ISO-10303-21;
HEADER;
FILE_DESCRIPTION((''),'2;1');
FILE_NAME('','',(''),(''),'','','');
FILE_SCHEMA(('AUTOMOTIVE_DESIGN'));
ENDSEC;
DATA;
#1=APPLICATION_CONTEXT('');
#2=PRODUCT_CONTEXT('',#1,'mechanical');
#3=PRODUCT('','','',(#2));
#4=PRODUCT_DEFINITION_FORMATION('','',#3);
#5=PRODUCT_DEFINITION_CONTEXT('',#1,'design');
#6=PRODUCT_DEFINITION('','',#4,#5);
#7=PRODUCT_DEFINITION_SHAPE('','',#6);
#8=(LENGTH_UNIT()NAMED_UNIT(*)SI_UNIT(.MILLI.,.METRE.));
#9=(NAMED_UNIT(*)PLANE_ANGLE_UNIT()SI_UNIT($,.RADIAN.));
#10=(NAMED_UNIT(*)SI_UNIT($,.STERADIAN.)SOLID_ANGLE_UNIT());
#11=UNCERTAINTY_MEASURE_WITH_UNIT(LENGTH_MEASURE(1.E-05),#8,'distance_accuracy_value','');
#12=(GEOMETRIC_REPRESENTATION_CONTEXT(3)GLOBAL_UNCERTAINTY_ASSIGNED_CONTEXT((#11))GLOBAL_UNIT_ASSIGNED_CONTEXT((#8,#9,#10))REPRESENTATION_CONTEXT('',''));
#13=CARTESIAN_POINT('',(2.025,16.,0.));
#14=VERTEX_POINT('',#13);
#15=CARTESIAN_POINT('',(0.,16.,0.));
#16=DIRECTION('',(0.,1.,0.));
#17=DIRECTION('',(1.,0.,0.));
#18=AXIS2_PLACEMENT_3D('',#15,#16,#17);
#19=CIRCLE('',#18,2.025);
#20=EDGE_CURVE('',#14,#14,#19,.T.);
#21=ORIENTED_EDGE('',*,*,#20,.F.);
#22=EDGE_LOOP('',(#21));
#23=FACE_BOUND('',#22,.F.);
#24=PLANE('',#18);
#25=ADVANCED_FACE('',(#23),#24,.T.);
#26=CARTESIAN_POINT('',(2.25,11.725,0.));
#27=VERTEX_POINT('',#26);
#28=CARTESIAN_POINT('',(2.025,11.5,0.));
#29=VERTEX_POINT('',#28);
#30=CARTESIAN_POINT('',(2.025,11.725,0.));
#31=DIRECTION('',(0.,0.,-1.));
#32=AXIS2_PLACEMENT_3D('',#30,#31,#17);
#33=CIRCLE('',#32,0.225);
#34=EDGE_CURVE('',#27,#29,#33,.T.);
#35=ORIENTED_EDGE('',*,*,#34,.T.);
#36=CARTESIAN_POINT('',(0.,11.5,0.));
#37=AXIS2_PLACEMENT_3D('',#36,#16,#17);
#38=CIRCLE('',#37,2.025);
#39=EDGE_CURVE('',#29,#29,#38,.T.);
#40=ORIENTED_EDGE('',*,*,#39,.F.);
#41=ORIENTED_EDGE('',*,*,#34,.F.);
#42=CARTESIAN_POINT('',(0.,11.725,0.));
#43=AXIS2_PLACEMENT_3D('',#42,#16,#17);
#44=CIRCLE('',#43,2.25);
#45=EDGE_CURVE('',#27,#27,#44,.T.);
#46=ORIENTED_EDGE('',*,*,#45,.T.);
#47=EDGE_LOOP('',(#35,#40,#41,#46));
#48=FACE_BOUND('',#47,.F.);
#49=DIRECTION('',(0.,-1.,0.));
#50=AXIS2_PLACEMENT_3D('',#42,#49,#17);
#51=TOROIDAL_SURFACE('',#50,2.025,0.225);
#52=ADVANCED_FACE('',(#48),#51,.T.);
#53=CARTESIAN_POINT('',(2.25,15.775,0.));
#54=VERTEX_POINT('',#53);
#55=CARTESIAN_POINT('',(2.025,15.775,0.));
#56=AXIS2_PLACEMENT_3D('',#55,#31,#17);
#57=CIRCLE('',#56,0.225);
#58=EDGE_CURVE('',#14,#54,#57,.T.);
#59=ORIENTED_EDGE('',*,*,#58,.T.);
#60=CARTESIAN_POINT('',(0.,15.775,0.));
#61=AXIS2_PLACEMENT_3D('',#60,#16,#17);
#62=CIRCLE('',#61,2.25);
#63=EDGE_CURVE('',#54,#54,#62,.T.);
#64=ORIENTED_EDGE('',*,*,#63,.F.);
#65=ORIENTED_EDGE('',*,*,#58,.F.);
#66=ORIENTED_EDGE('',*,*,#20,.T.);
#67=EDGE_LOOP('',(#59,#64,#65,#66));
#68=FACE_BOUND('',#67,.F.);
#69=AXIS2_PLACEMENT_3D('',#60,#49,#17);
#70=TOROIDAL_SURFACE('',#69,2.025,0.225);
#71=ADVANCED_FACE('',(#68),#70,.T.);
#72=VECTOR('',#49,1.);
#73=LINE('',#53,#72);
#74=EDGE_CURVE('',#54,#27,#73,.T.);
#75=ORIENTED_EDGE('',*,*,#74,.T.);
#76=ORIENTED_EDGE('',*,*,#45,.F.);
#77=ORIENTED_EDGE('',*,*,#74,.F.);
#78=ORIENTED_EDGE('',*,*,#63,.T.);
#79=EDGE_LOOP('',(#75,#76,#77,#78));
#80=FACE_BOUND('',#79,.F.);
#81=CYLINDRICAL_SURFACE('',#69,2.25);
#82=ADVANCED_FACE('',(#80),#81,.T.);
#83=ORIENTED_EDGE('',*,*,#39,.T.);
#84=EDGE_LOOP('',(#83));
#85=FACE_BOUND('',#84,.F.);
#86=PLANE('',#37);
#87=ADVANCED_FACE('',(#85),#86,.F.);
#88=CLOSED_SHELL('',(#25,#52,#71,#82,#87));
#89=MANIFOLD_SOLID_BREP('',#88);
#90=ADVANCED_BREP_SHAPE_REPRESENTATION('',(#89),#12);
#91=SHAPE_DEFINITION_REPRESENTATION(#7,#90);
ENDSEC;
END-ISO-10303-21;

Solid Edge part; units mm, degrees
sketch "Sketch1" plane through (0, 0, 0) normal (0, 0, 1) x (1, 0, 0)
  line L0 (0, 16) -> (2.025, 16)
  arc A0 (2.025, 16) -> (2.25, 15.775) centre (2.025, 15.775) cw
  line L1 (2.25, 15.775) -> (2.25, 11.725)
  arc A1 (2.25, 11.725) -> (2.025, 11.5) centre (2.025, 11.725) cw
  line L2 (2.025, 11.5) -> (0, 11.5)
  line L3 (0, 11.5) -> (0, 16)
revolve "RevolvedProtrusion1" add sketch "Sketch1" angle 360 about axis through (0, 11.5, 0) along (0, 1, 0)
properties part number "SKF_81104 TN_PART4"
